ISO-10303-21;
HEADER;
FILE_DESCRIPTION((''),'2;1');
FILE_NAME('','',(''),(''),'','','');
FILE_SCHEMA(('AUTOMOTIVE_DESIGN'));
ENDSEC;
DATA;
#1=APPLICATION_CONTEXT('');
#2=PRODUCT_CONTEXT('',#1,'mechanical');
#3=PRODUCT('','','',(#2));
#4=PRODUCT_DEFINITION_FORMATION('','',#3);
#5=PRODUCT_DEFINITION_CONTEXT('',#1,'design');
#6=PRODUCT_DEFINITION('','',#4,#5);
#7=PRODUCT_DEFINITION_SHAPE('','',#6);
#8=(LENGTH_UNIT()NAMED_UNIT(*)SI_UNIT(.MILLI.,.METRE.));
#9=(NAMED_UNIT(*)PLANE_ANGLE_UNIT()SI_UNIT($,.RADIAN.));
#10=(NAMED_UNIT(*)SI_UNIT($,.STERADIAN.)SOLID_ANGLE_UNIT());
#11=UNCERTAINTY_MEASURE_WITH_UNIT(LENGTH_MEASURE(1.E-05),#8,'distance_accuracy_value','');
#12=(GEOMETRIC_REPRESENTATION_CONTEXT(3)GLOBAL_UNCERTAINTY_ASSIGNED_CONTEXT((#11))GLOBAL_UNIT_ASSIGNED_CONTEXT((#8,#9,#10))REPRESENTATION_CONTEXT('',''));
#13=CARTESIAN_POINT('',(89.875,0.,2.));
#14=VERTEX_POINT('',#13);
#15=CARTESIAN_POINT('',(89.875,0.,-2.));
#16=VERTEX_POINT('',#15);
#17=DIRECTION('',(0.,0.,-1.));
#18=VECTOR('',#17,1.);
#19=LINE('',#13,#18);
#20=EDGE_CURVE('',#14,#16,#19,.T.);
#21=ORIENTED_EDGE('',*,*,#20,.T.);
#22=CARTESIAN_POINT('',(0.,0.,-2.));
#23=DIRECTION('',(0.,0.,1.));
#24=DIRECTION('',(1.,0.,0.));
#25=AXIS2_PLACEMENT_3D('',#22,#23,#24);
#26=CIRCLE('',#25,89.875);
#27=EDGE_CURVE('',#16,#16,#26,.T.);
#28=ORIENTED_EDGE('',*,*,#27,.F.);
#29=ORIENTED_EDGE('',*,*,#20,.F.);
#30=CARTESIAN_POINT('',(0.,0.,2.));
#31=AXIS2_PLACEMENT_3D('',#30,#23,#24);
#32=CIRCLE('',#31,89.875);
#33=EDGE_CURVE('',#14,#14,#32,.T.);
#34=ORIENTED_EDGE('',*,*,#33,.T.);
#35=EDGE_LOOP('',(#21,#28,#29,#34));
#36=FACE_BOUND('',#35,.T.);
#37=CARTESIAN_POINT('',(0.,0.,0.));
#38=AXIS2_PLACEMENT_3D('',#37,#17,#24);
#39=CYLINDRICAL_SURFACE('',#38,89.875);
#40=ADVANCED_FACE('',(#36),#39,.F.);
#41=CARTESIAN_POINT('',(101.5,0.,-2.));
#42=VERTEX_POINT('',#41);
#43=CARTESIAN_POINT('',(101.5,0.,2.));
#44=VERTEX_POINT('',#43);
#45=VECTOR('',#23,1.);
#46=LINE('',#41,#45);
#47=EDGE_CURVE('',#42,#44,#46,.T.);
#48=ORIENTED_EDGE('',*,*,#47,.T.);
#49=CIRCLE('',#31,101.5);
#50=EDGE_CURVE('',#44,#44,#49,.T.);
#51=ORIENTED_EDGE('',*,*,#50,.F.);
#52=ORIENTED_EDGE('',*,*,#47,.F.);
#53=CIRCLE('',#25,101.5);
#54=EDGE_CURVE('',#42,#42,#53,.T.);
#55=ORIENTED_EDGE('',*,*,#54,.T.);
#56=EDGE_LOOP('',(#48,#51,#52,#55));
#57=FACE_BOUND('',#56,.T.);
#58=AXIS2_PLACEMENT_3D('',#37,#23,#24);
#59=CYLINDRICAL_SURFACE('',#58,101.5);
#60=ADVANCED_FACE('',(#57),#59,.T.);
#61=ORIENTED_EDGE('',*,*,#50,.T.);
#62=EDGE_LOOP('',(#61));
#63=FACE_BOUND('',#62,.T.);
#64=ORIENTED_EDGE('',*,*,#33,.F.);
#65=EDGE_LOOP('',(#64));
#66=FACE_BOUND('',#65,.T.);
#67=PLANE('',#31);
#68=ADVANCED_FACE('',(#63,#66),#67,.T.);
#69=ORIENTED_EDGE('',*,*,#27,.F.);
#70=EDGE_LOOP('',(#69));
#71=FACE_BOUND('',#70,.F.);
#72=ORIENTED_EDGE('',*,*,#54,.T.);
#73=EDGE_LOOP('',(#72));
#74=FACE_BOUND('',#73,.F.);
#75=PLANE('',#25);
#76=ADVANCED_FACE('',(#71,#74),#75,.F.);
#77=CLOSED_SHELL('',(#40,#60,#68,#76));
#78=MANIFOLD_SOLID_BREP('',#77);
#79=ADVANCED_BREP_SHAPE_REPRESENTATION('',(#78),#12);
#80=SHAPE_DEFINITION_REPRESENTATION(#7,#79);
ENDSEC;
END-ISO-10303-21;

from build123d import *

# Parameters (mm, degrees)
SKETCH1_R           = 101.5
SKETCH1_R_2         = 89.875
BOSS_EXTRUDE1_DEPTH = 2


with BuildPart() as part:
    # Sketch1 → Boss-Extrude1 (new body, symmetric)
    with BuildSketch(Plane.XY):
        Circle(SKETCH1_R)
        Circle(SKETCH1_R_2, mode=Mode.SUBTRACT)
    extrude(amount=BOSS_EXTRUDE1_DEPTH, both=True)


solid = part.part
